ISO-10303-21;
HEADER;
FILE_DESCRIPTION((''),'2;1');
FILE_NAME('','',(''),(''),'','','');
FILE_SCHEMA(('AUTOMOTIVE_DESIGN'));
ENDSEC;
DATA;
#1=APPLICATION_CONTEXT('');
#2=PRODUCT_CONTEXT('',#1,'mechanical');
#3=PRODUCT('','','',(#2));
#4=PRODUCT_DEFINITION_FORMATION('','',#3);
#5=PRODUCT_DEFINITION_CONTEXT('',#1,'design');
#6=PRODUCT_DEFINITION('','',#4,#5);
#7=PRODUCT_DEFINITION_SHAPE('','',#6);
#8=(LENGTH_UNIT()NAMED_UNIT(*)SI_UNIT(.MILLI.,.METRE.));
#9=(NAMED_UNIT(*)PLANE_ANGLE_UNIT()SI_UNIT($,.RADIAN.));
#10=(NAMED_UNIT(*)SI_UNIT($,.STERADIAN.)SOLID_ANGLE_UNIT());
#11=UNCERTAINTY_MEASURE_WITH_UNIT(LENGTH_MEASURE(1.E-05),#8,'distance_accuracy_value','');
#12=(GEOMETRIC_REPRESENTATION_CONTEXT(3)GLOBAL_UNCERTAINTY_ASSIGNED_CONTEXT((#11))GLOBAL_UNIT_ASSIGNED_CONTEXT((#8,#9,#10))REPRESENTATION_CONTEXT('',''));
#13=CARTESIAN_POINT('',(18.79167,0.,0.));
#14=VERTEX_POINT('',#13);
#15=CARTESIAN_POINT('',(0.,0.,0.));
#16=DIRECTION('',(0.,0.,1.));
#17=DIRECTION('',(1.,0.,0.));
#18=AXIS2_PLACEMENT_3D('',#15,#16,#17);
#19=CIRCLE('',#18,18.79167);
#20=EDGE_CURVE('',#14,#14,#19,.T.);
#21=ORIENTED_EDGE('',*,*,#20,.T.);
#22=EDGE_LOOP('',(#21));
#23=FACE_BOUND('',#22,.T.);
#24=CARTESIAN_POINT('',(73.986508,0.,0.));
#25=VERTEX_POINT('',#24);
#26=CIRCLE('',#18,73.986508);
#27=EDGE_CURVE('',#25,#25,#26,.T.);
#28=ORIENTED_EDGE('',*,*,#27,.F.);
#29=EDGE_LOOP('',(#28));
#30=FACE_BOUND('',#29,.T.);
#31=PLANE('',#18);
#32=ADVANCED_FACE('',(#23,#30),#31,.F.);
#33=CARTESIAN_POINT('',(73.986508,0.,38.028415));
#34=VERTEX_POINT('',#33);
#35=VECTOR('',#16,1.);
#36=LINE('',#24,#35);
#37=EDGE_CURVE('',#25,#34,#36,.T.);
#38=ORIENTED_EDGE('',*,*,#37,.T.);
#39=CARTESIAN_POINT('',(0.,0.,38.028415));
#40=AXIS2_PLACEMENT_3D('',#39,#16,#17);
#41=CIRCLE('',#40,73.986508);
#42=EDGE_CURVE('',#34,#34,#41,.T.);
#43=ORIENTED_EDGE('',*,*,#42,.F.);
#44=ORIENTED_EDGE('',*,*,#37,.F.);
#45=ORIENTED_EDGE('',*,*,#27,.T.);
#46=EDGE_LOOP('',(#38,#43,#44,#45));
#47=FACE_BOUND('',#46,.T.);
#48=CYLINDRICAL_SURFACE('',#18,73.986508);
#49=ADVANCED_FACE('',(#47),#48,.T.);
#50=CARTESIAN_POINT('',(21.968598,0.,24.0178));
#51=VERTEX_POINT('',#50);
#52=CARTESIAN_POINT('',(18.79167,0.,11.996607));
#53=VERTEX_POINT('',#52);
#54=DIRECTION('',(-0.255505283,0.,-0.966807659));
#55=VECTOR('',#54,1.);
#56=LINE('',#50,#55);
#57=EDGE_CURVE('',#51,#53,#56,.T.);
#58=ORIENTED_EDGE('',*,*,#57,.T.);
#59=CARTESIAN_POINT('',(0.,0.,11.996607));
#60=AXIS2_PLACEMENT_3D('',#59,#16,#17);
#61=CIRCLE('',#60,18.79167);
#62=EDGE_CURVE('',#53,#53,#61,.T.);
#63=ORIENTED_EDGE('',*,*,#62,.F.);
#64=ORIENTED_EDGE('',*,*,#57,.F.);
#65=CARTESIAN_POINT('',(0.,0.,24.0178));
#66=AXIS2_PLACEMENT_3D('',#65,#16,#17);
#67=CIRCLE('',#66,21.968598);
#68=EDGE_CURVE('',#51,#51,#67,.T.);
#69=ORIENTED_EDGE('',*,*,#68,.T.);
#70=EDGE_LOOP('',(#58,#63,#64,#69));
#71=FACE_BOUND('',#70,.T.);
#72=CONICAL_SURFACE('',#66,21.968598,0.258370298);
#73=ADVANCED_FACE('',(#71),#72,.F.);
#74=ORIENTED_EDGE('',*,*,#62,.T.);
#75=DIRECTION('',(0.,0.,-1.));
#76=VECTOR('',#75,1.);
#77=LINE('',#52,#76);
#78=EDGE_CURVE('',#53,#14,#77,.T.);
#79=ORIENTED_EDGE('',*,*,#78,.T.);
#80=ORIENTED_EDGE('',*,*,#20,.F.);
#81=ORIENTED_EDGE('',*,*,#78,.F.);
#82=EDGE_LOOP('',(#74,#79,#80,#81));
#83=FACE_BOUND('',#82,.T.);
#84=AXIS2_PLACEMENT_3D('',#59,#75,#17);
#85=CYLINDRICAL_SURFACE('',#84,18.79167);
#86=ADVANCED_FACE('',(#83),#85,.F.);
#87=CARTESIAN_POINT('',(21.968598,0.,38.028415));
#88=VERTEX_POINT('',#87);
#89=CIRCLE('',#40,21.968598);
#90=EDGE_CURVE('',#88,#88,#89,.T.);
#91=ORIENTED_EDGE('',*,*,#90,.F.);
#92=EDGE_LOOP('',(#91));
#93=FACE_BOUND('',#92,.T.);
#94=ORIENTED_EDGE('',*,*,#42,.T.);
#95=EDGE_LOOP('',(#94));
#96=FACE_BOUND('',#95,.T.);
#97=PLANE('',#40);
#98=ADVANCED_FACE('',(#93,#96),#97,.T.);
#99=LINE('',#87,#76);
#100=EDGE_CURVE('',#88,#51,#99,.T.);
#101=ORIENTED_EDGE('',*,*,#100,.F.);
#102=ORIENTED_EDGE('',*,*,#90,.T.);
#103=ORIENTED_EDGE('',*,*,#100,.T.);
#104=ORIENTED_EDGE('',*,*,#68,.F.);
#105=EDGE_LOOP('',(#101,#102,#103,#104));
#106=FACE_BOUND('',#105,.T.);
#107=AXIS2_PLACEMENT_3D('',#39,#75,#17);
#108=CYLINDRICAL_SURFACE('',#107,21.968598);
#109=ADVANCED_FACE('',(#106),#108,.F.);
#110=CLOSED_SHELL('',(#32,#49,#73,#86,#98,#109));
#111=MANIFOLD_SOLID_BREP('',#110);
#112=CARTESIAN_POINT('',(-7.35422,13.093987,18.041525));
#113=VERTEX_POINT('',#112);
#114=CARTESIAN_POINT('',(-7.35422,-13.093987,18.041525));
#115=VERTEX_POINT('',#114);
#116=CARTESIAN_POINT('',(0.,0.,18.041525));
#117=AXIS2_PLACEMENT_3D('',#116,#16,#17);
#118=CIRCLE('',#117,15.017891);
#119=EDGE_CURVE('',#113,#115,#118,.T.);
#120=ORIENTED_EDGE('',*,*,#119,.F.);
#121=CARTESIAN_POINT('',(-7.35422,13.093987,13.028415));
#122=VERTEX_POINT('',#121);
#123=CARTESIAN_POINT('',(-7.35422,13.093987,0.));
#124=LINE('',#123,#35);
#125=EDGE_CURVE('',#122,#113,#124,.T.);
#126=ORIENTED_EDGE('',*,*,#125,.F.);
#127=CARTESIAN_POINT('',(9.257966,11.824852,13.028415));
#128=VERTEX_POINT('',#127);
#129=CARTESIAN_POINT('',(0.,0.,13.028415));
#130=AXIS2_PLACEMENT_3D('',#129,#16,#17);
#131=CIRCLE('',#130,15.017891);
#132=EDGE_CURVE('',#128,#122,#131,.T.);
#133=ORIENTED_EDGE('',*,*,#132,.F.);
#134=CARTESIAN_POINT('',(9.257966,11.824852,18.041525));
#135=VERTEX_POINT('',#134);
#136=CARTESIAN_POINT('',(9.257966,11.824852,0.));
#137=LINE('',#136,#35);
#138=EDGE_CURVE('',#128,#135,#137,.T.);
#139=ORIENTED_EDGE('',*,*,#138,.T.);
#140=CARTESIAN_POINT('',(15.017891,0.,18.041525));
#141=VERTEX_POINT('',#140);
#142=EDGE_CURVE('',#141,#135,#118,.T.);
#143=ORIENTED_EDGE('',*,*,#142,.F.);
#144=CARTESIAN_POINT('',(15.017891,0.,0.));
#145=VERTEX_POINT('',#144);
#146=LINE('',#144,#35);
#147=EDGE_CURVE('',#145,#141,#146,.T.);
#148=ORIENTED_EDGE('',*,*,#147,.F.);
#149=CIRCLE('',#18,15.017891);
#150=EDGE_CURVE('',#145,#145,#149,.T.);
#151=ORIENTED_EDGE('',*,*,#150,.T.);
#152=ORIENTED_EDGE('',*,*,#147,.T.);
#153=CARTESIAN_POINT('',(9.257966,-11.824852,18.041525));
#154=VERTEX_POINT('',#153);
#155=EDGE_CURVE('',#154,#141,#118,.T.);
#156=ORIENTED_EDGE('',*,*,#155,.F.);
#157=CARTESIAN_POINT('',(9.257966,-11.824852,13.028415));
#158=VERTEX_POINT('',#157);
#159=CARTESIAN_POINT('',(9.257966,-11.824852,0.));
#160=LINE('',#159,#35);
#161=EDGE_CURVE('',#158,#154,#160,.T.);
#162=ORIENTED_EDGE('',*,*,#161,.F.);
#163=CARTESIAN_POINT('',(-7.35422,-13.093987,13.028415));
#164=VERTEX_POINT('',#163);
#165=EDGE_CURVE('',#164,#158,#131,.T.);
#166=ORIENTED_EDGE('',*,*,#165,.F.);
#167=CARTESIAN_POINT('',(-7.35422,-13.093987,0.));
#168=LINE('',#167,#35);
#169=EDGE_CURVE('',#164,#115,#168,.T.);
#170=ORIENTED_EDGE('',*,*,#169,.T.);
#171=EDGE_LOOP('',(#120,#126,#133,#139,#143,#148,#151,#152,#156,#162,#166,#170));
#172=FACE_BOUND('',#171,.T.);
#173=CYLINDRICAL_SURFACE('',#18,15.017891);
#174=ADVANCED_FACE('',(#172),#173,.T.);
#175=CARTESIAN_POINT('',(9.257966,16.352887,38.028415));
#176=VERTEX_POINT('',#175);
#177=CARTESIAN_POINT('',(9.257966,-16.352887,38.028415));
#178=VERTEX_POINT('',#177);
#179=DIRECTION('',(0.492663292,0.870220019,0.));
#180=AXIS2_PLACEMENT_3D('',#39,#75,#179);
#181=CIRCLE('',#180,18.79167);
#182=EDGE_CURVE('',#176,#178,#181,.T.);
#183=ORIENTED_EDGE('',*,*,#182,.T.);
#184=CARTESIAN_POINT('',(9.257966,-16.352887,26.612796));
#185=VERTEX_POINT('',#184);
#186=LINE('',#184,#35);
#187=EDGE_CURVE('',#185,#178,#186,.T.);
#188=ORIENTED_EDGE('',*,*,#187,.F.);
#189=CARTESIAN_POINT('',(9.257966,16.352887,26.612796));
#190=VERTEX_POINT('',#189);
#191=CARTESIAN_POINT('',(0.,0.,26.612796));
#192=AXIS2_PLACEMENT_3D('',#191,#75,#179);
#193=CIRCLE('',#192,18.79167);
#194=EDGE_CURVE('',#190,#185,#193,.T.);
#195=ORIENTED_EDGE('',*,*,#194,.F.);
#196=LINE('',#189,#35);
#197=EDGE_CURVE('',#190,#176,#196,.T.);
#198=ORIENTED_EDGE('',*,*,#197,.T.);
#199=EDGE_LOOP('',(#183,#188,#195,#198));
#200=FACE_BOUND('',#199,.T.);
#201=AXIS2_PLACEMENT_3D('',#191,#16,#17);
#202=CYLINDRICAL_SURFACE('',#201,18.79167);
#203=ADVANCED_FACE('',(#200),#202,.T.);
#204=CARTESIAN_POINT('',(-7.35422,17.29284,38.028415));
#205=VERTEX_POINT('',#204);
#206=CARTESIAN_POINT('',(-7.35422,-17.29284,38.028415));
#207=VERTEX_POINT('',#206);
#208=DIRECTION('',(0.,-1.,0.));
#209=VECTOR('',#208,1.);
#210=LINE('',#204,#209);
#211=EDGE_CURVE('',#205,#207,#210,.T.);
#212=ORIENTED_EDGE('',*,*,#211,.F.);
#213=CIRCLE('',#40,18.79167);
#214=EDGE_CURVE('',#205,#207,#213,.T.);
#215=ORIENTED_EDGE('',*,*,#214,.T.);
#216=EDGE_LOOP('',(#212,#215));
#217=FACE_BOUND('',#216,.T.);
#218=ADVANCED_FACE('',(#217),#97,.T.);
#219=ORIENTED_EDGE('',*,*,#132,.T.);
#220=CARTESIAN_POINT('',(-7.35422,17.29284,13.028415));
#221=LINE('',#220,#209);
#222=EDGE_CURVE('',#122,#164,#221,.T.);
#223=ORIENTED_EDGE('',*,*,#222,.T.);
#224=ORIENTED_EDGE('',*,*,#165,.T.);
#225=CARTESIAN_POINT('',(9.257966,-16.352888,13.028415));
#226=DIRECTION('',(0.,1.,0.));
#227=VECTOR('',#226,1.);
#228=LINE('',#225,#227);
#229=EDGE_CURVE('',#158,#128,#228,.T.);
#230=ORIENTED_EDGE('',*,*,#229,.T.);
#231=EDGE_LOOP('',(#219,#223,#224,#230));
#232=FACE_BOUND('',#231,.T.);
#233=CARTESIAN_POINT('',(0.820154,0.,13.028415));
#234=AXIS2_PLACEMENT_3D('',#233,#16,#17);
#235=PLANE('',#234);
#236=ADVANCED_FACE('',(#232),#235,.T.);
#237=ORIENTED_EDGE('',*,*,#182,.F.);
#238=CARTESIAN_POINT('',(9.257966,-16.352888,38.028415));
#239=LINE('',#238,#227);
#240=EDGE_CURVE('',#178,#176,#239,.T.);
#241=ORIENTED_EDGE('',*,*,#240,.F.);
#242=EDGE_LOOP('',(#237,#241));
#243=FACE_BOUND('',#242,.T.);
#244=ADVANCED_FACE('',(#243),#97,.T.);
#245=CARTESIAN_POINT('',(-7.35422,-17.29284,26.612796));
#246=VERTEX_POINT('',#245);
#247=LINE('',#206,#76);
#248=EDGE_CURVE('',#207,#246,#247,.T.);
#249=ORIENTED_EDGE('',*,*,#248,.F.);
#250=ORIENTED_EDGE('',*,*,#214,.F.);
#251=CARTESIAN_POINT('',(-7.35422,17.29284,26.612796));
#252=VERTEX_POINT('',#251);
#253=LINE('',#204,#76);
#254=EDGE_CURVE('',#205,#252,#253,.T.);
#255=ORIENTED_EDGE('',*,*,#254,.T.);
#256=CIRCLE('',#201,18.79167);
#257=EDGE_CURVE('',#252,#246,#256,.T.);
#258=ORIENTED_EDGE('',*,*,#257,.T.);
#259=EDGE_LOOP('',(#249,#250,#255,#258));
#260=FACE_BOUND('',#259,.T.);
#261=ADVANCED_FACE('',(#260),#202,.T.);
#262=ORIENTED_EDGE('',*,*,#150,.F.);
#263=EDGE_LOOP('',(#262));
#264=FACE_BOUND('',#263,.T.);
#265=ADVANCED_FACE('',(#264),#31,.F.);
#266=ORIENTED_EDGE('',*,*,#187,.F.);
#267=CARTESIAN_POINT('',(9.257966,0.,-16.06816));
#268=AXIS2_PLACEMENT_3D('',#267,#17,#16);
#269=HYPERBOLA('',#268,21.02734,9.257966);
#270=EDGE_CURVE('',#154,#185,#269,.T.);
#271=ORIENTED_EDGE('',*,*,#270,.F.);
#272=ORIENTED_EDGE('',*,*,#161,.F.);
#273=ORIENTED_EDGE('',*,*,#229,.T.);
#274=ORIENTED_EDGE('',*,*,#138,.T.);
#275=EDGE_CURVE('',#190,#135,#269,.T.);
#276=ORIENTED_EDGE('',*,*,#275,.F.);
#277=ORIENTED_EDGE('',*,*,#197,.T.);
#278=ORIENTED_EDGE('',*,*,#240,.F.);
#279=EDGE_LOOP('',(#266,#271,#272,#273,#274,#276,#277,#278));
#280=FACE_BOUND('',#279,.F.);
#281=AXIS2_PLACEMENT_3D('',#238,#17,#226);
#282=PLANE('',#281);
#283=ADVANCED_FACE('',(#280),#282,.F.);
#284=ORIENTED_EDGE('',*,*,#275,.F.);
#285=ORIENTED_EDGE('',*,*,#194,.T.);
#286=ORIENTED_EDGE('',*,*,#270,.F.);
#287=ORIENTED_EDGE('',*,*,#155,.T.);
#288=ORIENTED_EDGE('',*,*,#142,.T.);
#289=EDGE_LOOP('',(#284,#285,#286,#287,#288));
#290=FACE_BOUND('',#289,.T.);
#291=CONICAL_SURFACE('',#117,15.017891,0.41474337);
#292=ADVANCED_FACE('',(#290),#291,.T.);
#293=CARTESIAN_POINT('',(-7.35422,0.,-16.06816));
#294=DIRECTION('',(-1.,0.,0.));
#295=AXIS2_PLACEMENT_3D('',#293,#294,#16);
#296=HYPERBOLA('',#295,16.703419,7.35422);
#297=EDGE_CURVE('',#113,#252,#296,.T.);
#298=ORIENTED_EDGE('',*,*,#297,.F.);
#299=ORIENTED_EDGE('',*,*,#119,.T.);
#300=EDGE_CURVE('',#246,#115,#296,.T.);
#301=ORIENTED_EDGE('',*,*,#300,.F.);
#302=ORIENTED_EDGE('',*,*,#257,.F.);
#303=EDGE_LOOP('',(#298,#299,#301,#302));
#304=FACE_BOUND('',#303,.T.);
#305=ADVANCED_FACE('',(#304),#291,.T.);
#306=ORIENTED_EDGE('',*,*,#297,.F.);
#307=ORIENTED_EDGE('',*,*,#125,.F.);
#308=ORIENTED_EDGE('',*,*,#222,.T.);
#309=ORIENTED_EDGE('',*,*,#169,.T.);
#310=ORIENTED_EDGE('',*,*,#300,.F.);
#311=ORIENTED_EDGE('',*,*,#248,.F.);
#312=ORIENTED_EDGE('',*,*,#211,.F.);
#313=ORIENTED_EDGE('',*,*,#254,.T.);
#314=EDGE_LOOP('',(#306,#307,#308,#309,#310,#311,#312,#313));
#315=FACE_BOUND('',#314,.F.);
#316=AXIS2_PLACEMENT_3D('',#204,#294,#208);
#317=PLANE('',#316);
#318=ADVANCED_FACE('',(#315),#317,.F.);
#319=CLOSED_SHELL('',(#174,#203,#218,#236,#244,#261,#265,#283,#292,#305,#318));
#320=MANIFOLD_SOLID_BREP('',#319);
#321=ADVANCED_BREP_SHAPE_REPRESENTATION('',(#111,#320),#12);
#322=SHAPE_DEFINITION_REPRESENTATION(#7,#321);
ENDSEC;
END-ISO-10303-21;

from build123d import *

# Parameters (mm, degrees)
F3_DEPTH = 25


with BuildPart() as f1:
    # F0 (on Front) → F1 (revolve)
    with BuildSketch(Plane.XZ):
        Polygon((0, 38.028415), (0, 0), (15.017891, 0), (15.017891, 18.041525), (18.79167, 26.612796), (18.79167, 38.028415), align=None)
        Polygon((73.986508, 38.028415), (21.968598, 38.028415), (21.968598, 24.0178), (18.79167, 11.996607), (18.79167, 0), (73.986508, 0), align=None)
    revolve(axis=Axis((0, 0, 19.014208), (0, 0, 1)))

    # F2 (on face) → F3 (cut)
    with BuildSketch(Plane.XY.offset(38.028415)):
        with BuildLine():
            ThreePointArc((9.257966, 16.352888), (1.061574, 18.761661), (-7.35422, 17.29284))
            Line((-7.35422, 17.29284), (-7.35422, -17.29284))
            ThreePointArc((-7.35422, -17.29284), (1.061574, -18.761661), (9.257966, -16.352888))
            Line((9.257966, -16.352888), (9.257966, 16.352888))
        make_face()
    extrude(amount=-F3_DEPTH, mode=Mode.SUBTRACT)


solid = f1.part
